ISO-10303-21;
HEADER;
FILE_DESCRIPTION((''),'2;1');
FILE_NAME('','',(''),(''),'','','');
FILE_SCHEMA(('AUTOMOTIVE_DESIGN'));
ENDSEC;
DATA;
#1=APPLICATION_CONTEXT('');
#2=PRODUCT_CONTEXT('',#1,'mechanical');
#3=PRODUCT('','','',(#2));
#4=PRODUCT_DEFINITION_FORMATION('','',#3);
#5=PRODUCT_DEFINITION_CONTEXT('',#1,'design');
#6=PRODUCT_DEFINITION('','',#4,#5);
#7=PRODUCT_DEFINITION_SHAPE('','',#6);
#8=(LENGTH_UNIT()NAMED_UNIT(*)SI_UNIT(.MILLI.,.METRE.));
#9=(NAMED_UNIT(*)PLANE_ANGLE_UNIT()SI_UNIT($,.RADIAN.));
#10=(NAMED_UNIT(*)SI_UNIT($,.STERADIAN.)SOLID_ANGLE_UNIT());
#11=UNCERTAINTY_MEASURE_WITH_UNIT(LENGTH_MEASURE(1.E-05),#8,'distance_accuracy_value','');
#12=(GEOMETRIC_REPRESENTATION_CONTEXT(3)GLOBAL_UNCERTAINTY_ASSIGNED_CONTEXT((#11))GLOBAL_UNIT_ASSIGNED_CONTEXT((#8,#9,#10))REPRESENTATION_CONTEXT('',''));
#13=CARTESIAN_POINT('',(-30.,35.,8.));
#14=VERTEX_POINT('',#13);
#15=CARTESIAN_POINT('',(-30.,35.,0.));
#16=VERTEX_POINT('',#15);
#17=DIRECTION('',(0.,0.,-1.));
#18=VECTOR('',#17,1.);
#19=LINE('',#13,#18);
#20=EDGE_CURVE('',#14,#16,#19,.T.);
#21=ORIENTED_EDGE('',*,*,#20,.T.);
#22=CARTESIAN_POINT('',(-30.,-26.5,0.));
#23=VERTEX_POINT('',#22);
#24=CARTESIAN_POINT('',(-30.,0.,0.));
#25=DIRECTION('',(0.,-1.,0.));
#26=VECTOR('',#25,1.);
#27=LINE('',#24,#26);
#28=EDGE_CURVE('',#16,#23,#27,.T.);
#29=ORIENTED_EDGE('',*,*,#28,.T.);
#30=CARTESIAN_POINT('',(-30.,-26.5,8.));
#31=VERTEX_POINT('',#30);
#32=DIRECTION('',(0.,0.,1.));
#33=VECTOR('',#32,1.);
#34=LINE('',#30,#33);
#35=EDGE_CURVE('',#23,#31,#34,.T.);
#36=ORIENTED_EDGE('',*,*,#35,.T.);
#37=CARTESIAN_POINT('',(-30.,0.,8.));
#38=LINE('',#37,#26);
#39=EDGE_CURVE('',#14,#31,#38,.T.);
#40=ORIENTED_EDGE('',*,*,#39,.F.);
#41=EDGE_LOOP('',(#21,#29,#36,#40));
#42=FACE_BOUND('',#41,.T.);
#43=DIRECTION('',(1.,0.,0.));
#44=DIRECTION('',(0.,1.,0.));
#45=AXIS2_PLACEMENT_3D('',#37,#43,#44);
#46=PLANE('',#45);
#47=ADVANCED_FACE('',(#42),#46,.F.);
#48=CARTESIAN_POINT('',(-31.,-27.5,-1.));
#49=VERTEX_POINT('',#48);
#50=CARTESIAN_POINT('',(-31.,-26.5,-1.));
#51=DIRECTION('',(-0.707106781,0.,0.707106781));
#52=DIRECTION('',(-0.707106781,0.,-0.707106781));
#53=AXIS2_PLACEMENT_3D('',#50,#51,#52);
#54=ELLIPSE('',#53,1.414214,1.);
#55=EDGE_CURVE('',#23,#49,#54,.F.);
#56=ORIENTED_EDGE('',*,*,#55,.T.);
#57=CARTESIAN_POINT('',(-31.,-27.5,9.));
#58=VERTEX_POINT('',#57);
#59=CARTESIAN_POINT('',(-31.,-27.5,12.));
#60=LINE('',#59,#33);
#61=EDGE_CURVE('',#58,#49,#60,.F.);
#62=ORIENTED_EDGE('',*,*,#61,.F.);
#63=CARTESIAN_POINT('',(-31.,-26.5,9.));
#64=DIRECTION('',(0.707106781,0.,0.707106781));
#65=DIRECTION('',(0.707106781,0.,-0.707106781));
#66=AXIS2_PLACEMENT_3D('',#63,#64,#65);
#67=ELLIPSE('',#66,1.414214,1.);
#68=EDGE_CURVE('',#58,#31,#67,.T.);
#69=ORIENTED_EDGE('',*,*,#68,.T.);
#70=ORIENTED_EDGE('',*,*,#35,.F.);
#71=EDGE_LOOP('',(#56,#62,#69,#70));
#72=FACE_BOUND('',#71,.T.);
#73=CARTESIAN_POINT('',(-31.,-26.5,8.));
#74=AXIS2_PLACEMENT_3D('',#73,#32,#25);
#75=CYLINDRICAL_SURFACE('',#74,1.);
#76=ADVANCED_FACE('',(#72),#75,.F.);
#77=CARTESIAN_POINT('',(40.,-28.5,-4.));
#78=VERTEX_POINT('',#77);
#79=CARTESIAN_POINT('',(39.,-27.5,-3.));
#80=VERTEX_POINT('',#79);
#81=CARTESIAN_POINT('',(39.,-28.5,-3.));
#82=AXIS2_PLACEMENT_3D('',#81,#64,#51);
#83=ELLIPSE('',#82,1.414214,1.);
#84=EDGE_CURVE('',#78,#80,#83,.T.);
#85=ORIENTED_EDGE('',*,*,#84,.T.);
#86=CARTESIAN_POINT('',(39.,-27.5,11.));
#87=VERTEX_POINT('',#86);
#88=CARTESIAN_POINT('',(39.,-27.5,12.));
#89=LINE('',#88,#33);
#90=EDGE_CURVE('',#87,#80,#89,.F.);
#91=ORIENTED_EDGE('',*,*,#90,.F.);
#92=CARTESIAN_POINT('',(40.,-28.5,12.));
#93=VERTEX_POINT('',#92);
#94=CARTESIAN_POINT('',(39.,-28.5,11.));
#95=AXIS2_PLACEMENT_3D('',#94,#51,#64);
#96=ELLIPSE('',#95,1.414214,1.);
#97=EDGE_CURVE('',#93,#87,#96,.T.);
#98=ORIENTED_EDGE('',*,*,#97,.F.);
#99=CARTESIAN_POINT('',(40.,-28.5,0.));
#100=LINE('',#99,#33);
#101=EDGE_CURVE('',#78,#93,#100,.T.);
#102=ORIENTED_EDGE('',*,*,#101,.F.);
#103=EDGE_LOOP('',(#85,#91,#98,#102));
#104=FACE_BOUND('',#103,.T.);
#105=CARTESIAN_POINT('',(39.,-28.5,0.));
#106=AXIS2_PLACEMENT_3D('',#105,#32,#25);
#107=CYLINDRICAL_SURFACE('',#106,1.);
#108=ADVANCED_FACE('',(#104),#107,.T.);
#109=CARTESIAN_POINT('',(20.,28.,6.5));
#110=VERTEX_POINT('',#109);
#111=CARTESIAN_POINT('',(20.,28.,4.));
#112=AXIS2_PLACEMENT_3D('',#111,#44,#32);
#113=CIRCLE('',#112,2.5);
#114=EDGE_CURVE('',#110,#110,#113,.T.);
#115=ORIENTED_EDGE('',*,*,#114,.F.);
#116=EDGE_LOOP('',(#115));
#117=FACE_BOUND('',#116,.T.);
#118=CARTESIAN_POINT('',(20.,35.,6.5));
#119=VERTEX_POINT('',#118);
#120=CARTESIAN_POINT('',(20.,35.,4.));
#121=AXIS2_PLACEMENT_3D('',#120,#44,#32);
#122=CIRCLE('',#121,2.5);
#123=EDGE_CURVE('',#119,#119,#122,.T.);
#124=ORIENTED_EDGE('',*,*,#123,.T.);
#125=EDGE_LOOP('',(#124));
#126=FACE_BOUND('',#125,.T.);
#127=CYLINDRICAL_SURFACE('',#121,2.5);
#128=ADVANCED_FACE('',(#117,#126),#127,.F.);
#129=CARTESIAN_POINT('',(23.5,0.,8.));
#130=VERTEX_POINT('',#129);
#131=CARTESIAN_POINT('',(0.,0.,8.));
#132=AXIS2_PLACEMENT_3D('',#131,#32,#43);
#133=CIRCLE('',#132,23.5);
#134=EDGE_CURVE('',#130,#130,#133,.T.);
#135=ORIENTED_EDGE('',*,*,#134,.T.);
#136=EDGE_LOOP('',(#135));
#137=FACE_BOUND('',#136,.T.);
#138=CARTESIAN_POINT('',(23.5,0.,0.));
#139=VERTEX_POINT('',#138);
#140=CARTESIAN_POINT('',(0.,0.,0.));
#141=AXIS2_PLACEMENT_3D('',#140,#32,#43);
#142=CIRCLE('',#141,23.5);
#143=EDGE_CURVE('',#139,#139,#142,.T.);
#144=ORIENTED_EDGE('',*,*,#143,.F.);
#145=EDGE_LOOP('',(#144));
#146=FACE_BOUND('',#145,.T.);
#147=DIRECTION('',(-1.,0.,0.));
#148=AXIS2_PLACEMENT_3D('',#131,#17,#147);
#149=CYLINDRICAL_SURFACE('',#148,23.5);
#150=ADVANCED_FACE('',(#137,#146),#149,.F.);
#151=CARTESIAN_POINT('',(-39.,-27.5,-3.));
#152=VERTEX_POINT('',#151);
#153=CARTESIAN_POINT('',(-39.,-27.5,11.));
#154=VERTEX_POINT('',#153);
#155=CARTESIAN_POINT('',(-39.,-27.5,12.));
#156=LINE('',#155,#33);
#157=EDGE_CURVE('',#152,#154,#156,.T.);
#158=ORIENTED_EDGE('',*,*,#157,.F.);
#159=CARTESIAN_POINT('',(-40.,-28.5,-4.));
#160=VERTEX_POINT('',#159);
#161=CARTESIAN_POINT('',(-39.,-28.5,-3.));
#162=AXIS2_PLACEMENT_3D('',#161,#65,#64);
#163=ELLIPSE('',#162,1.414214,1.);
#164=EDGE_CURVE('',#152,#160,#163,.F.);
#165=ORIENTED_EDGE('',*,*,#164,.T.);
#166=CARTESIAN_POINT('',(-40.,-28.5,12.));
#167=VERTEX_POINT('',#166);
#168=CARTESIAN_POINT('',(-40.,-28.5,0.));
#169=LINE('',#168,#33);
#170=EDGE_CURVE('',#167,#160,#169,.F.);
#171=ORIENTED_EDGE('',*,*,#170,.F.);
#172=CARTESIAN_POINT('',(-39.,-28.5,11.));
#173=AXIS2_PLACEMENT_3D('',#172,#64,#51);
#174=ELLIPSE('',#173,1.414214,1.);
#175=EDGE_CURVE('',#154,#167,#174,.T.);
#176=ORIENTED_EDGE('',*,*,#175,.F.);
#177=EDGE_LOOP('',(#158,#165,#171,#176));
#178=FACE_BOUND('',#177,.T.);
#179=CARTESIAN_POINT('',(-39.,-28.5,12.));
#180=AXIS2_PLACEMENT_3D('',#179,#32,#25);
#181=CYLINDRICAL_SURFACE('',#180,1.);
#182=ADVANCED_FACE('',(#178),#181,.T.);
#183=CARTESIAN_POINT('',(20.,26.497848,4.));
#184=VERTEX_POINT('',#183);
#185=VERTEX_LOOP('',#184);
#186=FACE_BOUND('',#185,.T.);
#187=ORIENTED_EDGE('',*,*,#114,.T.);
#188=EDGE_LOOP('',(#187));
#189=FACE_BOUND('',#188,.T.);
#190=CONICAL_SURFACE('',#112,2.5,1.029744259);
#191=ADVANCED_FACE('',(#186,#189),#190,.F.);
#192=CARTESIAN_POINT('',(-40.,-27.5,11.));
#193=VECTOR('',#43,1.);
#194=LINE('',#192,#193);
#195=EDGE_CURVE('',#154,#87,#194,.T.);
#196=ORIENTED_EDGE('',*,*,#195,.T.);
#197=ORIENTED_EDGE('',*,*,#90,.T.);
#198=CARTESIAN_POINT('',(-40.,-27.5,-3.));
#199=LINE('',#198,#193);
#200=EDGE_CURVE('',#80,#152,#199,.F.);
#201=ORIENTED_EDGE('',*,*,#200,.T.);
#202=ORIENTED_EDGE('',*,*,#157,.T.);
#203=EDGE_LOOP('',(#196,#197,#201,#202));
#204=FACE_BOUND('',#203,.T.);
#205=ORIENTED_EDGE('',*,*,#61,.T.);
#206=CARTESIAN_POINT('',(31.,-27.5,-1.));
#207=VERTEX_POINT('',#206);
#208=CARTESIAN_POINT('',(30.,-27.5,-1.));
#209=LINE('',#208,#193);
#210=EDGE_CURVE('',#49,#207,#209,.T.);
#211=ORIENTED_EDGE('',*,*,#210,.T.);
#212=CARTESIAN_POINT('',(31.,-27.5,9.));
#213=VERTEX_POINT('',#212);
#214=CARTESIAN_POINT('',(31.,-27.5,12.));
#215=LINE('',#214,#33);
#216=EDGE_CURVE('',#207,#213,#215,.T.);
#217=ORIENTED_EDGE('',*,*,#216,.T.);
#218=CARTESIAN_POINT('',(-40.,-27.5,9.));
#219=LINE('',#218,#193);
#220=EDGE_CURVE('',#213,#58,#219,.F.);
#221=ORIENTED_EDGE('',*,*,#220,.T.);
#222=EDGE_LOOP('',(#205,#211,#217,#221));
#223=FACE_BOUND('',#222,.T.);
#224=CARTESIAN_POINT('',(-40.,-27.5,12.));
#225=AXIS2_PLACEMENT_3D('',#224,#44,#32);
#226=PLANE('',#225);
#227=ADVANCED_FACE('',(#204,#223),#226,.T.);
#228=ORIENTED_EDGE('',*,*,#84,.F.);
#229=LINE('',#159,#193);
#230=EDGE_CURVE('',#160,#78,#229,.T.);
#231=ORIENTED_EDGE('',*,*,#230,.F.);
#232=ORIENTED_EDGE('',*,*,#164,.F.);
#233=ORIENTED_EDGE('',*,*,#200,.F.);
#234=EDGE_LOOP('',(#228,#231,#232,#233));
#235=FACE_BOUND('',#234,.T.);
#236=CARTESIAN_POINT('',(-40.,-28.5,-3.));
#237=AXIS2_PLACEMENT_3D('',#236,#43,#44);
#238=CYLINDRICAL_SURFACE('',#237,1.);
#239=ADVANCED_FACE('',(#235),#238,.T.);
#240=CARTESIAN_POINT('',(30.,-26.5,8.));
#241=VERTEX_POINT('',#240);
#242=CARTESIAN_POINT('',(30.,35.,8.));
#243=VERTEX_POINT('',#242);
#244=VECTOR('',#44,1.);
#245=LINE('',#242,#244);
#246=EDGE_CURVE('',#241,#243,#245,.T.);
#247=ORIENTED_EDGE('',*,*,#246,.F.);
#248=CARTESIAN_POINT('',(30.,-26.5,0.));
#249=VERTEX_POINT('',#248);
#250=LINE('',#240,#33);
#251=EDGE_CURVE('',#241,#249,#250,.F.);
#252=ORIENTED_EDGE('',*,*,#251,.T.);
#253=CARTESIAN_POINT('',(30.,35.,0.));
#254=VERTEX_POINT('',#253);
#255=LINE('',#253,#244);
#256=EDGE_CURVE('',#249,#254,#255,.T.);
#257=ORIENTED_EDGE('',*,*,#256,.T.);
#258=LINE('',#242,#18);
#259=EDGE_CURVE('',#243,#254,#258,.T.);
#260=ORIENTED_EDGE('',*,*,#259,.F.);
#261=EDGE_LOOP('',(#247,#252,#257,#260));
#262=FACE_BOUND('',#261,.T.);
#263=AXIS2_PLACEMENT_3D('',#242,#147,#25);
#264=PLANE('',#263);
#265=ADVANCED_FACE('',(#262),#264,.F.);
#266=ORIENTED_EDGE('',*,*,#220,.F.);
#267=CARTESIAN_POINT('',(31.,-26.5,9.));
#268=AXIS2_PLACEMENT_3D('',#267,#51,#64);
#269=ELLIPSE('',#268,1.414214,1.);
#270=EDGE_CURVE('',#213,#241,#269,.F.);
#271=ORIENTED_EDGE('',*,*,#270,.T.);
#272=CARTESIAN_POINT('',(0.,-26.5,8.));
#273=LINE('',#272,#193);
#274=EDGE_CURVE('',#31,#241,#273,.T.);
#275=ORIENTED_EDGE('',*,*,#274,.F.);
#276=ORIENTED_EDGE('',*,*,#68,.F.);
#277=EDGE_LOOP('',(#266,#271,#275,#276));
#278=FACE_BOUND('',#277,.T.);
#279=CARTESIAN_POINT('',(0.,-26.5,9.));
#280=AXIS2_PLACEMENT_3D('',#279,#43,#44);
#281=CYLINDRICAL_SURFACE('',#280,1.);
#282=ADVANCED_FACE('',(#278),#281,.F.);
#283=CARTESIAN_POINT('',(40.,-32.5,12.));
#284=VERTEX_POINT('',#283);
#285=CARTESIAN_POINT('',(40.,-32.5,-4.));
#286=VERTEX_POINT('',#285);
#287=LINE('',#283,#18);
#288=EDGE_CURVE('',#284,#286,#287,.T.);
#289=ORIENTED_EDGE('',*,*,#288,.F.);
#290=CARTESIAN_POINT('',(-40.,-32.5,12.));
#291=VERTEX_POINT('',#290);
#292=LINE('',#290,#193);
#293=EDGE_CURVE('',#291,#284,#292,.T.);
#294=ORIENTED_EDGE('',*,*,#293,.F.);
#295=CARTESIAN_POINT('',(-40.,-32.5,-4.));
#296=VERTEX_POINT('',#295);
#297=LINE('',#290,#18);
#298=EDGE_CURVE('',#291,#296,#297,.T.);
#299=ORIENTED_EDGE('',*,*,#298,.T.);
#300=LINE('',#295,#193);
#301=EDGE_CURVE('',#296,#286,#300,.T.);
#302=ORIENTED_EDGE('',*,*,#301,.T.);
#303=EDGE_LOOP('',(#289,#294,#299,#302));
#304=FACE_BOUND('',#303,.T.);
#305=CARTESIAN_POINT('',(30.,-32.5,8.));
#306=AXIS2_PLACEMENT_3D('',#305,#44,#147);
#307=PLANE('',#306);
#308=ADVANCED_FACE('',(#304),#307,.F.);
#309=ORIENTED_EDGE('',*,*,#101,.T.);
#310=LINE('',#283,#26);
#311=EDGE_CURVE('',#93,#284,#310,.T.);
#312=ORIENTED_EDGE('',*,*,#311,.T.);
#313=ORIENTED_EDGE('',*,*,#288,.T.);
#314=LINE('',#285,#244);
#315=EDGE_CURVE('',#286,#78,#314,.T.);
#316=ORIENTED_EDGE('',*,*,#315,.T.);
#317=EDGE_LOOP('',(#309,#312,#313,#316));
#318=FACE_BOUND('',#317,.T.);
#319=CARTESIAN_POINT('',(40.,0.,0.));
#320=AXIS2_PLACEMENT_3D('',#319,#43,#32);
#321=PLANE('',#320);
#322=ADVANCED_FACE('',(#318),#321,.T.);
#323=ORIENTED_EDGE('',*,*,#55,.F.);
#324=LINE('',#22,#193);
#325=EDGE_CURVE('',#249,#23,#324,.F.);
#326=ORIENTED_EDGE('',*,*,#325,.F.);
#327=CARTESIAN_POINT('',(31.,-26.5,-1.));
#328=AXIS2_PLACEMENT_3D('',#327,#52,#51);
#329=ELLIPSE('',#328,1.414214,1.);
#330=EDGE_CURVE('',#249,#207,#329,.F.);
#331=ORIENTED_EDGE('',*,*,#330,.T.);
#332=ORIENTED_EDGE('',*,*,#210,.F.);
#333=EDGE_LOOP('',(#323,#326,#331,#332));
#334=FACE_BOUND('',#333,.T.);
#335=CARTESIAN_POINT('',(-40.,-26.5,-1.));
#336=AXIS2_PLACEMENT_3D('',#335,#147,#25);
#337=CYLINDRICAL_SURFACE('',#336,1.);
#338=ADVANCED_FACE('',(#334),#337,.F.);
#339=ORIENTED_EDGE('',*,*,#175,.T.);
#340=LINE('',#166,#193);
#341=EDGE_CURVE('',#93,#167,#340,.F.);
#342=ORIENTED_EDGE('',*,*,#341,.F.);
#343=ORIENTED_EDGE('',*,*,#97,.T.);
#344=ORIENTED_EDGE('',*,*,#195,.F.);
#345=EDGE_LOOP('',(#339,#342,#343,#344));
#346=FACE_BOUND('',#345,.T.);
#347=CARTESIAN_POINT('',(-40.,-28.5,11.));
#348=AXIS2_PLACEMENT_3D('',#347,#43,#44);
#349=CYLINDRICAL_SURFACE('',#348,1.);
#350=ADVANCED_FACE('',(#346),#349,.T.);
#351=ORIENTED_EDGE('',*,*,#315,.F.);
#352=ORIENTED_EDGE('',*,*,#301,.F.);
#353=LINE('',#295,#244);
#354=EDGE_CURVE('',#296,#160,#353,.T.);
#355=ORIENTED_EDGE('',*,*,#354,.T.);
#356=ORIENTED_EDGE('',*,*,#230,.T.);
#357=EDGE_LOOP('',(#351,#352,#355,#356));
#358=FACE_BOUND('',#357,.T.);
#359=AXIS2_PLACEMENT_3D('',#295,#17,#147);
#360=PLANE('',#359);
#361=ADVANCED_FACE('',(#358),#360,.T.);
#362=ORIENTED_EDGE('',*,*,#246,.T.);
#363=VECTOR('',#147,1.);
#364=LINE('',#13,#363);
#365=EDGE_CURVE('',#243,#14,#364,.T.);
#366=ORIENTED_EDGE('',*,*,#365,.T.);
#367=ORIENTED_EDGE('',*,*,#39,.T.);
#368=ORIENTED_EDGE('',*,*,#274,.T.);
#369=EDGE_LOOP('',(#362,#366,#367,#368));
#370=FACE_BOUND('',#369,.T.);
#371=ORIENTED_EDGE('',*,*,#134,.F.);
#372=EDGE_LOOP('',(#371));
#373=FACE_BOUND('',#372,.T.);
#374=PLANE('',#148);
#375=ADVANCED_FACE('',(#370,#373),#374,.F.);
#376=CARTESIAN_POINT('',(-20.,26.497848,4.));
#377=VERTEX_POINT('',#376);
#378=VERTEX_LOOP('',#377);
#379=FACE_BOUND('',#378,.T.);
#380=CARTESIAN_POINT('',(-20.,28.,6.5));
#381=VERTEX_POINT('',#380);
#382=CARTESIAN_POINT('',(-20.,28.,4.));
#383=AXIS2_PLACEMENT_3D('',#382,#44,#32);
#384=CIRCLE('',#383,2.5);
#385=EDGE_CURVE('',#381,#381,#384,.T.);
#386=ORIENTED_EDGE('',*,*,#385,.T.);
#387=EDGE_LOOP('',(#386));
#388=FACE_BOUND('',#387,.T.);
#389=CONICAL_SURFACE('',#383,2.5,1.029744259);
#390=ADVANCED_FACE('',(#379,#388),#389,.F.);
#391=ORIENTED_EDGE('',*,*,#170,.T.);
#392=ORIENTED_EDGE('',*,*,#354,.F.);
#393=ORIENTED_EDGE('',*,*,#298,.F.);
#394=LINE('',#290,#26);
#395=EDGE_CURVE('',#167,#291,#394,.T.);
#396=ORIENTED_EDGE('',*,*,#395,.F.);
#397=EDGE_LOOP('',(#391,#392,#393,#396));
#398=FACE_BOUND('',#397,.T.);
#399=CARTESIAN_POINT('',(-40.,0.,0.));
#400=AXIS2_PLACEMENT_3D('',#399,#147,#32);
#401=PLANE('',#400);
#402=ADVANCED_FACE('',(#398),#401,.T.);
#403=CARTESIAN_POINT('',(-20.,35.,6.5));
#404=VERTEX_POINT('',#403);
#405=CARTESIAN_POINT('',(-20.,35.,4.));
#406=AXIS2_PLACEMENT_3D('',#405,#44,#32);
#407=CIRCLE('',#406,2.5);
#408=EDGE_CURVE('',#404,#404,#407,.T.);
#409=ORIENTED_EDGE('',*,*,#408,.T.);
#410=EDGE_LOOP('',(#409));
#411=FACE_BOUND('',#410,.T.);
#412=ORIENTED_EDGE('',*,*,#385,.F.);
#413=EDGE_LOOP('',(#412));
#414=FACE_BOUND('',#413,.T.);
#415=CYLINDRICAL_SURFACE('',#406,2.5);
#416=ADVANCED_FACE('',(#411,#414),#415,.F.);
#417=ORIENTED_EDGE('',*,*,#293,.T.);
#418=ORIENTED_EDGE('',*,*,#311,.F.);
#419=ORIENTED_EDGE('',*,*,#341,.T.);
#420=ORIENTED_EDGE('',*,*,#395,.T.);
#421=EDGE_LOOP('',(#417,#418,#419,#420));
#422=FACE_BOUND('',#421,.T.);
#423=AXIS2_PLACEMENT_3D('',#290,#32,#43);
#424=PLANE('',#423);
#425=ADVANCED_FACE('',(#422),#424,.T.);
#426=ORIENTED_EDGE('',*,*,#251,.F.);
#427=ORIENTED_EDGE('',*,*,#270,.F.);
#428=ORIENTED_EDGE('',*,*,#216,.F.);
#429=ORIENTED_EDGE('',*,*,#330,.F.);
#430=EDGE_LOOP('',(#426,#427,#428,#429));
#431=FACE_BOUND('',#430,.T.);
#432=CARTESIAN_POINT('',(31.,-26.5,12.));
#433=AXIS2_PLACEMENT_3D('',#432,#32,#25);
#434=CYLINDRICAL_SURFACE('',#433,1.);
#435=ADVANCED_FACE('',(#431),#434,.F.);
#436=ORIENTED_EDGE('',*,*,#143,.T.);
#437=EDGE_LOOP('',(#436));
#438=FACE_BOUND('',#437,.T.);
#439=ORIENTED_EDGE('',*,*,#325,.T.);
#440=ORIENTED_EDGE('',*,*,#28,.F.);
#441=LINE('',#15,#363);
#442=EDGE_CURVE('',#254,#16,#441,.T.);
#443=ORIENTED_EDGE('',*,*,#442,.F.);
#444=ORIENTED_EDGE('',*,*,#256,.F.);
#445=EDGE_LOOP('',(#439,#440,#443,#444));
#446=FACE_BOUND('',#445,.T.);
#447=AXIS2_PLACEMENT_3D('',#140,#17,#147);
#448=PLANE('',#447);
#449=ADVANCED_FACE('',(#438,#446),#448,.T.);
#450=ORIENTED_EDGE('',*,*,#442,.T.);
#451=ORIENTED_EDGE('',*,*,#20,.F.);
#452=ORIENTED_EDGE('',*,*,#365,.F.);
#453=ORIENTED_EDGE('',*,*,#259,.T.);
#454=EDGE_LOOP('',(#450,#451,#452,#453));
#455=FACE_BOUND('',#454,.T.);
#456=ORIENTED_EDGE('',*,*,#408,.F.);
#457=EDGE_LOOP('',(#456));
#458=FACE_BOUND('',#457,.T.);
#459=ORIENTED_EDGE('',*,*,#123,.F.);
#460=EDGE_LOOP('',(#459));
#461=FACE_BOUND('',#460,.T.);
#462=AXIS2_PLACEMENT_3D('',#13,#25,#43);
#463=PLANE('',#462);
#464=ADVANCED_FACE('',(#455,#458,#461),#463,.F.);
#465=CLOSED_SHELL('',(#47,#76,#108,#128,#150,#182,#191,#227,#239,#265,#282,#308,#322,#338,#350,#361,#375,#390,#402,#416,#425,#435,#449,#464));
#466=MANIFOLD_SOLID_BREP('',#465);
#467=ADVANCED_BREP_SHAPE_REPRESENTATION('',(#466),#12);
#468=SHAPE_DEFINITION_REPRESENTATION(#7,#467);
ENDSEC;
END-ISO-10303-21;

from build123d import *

# Parameters (mm, degrees)
SKETCH_1_R             = 23.5
EXTRUDE_1_DEPTH        = 8
SKETCH_2_W             = 16
SKETCH_2_H             = 5
EXTRUDE_2_DEPTH        = 70
FILLET_2_R             = 1
HOLE_WIZARD_M6_1_D     = 5
HOLE_WIZARD_M6_1_DEPTH = 7
HOLE_WIZARD_M6_1_TIP   = 1.502151548


with BuildPart() as part:
    # 草图1 → 凸台-拉伸1 (new body)
    with BuildSketch(Plane.XY):
        Polygon((30, -32.5), (-30, -32.5), (-30, 0), (-30, 35), (30, 35), align=None)
        Circle(SKETCH_1_R, mode=Mode.SUBTRACT)
    extrude(amount=EXTRUDE_1_DEPTH)

    # 草图2 → 凸台-拉伸2 (add)
    with BuildSketch(Plane(origin=(30, 0, 0), x_dir=(0, 0, -1), z_dir=(1, 0, 0))):
        with Locations((-4, -30)):
            Rectangle(SKETCH_2_W, SKETCH_2_H)
    extrude_2 = extrude(amount=-EXTRUDE_2_DEPTH)

    # 镜向1: 凸台-拉伸2 across plane
    add(extrude_2.mirror(Plane.ZY))

    # 圆角2
    fillet_2_edges = [part.edges().sort_by_distance(p)[0] for p in [
        (0, -27.5, 0),
        (-40, -27.5, 4),
        (0, -27.5, 12),
        (-30, -27.5, 4),
        (0, -27.5, 8),
        (0, -27.5, -4),
        (30, -27.5, 4),
        (40, -27.5, 4),
    ]]
    fillet(fillet_2_edges, radius=FILLET_2_R)

    # M6 螺纹孔1
    with Locations(Plane(origin=(0, 35, 0), x_dir=(1, 0, 0), z_dir=(0, 1, 0))):
        with Locations((-20, -4), (20, -4)):
            Hole(HOLE_WIZARD_M6_1_D / 2, depth=HOLE_WIZARD_M6_1_DEPTH)
            with Locations((0, 0, -(HOLE_WIZARD_M6_1_DEPTH + HOLE_WIZARD_M6_1_TIP / 2))):  # 118° drill point
                Cone(0, HOLE_WIZARD_M6_1_D / 2, HOLE_WIZARD_M6_1_TIP, mode=Mode.SUBTRACT)


solid = part.part
